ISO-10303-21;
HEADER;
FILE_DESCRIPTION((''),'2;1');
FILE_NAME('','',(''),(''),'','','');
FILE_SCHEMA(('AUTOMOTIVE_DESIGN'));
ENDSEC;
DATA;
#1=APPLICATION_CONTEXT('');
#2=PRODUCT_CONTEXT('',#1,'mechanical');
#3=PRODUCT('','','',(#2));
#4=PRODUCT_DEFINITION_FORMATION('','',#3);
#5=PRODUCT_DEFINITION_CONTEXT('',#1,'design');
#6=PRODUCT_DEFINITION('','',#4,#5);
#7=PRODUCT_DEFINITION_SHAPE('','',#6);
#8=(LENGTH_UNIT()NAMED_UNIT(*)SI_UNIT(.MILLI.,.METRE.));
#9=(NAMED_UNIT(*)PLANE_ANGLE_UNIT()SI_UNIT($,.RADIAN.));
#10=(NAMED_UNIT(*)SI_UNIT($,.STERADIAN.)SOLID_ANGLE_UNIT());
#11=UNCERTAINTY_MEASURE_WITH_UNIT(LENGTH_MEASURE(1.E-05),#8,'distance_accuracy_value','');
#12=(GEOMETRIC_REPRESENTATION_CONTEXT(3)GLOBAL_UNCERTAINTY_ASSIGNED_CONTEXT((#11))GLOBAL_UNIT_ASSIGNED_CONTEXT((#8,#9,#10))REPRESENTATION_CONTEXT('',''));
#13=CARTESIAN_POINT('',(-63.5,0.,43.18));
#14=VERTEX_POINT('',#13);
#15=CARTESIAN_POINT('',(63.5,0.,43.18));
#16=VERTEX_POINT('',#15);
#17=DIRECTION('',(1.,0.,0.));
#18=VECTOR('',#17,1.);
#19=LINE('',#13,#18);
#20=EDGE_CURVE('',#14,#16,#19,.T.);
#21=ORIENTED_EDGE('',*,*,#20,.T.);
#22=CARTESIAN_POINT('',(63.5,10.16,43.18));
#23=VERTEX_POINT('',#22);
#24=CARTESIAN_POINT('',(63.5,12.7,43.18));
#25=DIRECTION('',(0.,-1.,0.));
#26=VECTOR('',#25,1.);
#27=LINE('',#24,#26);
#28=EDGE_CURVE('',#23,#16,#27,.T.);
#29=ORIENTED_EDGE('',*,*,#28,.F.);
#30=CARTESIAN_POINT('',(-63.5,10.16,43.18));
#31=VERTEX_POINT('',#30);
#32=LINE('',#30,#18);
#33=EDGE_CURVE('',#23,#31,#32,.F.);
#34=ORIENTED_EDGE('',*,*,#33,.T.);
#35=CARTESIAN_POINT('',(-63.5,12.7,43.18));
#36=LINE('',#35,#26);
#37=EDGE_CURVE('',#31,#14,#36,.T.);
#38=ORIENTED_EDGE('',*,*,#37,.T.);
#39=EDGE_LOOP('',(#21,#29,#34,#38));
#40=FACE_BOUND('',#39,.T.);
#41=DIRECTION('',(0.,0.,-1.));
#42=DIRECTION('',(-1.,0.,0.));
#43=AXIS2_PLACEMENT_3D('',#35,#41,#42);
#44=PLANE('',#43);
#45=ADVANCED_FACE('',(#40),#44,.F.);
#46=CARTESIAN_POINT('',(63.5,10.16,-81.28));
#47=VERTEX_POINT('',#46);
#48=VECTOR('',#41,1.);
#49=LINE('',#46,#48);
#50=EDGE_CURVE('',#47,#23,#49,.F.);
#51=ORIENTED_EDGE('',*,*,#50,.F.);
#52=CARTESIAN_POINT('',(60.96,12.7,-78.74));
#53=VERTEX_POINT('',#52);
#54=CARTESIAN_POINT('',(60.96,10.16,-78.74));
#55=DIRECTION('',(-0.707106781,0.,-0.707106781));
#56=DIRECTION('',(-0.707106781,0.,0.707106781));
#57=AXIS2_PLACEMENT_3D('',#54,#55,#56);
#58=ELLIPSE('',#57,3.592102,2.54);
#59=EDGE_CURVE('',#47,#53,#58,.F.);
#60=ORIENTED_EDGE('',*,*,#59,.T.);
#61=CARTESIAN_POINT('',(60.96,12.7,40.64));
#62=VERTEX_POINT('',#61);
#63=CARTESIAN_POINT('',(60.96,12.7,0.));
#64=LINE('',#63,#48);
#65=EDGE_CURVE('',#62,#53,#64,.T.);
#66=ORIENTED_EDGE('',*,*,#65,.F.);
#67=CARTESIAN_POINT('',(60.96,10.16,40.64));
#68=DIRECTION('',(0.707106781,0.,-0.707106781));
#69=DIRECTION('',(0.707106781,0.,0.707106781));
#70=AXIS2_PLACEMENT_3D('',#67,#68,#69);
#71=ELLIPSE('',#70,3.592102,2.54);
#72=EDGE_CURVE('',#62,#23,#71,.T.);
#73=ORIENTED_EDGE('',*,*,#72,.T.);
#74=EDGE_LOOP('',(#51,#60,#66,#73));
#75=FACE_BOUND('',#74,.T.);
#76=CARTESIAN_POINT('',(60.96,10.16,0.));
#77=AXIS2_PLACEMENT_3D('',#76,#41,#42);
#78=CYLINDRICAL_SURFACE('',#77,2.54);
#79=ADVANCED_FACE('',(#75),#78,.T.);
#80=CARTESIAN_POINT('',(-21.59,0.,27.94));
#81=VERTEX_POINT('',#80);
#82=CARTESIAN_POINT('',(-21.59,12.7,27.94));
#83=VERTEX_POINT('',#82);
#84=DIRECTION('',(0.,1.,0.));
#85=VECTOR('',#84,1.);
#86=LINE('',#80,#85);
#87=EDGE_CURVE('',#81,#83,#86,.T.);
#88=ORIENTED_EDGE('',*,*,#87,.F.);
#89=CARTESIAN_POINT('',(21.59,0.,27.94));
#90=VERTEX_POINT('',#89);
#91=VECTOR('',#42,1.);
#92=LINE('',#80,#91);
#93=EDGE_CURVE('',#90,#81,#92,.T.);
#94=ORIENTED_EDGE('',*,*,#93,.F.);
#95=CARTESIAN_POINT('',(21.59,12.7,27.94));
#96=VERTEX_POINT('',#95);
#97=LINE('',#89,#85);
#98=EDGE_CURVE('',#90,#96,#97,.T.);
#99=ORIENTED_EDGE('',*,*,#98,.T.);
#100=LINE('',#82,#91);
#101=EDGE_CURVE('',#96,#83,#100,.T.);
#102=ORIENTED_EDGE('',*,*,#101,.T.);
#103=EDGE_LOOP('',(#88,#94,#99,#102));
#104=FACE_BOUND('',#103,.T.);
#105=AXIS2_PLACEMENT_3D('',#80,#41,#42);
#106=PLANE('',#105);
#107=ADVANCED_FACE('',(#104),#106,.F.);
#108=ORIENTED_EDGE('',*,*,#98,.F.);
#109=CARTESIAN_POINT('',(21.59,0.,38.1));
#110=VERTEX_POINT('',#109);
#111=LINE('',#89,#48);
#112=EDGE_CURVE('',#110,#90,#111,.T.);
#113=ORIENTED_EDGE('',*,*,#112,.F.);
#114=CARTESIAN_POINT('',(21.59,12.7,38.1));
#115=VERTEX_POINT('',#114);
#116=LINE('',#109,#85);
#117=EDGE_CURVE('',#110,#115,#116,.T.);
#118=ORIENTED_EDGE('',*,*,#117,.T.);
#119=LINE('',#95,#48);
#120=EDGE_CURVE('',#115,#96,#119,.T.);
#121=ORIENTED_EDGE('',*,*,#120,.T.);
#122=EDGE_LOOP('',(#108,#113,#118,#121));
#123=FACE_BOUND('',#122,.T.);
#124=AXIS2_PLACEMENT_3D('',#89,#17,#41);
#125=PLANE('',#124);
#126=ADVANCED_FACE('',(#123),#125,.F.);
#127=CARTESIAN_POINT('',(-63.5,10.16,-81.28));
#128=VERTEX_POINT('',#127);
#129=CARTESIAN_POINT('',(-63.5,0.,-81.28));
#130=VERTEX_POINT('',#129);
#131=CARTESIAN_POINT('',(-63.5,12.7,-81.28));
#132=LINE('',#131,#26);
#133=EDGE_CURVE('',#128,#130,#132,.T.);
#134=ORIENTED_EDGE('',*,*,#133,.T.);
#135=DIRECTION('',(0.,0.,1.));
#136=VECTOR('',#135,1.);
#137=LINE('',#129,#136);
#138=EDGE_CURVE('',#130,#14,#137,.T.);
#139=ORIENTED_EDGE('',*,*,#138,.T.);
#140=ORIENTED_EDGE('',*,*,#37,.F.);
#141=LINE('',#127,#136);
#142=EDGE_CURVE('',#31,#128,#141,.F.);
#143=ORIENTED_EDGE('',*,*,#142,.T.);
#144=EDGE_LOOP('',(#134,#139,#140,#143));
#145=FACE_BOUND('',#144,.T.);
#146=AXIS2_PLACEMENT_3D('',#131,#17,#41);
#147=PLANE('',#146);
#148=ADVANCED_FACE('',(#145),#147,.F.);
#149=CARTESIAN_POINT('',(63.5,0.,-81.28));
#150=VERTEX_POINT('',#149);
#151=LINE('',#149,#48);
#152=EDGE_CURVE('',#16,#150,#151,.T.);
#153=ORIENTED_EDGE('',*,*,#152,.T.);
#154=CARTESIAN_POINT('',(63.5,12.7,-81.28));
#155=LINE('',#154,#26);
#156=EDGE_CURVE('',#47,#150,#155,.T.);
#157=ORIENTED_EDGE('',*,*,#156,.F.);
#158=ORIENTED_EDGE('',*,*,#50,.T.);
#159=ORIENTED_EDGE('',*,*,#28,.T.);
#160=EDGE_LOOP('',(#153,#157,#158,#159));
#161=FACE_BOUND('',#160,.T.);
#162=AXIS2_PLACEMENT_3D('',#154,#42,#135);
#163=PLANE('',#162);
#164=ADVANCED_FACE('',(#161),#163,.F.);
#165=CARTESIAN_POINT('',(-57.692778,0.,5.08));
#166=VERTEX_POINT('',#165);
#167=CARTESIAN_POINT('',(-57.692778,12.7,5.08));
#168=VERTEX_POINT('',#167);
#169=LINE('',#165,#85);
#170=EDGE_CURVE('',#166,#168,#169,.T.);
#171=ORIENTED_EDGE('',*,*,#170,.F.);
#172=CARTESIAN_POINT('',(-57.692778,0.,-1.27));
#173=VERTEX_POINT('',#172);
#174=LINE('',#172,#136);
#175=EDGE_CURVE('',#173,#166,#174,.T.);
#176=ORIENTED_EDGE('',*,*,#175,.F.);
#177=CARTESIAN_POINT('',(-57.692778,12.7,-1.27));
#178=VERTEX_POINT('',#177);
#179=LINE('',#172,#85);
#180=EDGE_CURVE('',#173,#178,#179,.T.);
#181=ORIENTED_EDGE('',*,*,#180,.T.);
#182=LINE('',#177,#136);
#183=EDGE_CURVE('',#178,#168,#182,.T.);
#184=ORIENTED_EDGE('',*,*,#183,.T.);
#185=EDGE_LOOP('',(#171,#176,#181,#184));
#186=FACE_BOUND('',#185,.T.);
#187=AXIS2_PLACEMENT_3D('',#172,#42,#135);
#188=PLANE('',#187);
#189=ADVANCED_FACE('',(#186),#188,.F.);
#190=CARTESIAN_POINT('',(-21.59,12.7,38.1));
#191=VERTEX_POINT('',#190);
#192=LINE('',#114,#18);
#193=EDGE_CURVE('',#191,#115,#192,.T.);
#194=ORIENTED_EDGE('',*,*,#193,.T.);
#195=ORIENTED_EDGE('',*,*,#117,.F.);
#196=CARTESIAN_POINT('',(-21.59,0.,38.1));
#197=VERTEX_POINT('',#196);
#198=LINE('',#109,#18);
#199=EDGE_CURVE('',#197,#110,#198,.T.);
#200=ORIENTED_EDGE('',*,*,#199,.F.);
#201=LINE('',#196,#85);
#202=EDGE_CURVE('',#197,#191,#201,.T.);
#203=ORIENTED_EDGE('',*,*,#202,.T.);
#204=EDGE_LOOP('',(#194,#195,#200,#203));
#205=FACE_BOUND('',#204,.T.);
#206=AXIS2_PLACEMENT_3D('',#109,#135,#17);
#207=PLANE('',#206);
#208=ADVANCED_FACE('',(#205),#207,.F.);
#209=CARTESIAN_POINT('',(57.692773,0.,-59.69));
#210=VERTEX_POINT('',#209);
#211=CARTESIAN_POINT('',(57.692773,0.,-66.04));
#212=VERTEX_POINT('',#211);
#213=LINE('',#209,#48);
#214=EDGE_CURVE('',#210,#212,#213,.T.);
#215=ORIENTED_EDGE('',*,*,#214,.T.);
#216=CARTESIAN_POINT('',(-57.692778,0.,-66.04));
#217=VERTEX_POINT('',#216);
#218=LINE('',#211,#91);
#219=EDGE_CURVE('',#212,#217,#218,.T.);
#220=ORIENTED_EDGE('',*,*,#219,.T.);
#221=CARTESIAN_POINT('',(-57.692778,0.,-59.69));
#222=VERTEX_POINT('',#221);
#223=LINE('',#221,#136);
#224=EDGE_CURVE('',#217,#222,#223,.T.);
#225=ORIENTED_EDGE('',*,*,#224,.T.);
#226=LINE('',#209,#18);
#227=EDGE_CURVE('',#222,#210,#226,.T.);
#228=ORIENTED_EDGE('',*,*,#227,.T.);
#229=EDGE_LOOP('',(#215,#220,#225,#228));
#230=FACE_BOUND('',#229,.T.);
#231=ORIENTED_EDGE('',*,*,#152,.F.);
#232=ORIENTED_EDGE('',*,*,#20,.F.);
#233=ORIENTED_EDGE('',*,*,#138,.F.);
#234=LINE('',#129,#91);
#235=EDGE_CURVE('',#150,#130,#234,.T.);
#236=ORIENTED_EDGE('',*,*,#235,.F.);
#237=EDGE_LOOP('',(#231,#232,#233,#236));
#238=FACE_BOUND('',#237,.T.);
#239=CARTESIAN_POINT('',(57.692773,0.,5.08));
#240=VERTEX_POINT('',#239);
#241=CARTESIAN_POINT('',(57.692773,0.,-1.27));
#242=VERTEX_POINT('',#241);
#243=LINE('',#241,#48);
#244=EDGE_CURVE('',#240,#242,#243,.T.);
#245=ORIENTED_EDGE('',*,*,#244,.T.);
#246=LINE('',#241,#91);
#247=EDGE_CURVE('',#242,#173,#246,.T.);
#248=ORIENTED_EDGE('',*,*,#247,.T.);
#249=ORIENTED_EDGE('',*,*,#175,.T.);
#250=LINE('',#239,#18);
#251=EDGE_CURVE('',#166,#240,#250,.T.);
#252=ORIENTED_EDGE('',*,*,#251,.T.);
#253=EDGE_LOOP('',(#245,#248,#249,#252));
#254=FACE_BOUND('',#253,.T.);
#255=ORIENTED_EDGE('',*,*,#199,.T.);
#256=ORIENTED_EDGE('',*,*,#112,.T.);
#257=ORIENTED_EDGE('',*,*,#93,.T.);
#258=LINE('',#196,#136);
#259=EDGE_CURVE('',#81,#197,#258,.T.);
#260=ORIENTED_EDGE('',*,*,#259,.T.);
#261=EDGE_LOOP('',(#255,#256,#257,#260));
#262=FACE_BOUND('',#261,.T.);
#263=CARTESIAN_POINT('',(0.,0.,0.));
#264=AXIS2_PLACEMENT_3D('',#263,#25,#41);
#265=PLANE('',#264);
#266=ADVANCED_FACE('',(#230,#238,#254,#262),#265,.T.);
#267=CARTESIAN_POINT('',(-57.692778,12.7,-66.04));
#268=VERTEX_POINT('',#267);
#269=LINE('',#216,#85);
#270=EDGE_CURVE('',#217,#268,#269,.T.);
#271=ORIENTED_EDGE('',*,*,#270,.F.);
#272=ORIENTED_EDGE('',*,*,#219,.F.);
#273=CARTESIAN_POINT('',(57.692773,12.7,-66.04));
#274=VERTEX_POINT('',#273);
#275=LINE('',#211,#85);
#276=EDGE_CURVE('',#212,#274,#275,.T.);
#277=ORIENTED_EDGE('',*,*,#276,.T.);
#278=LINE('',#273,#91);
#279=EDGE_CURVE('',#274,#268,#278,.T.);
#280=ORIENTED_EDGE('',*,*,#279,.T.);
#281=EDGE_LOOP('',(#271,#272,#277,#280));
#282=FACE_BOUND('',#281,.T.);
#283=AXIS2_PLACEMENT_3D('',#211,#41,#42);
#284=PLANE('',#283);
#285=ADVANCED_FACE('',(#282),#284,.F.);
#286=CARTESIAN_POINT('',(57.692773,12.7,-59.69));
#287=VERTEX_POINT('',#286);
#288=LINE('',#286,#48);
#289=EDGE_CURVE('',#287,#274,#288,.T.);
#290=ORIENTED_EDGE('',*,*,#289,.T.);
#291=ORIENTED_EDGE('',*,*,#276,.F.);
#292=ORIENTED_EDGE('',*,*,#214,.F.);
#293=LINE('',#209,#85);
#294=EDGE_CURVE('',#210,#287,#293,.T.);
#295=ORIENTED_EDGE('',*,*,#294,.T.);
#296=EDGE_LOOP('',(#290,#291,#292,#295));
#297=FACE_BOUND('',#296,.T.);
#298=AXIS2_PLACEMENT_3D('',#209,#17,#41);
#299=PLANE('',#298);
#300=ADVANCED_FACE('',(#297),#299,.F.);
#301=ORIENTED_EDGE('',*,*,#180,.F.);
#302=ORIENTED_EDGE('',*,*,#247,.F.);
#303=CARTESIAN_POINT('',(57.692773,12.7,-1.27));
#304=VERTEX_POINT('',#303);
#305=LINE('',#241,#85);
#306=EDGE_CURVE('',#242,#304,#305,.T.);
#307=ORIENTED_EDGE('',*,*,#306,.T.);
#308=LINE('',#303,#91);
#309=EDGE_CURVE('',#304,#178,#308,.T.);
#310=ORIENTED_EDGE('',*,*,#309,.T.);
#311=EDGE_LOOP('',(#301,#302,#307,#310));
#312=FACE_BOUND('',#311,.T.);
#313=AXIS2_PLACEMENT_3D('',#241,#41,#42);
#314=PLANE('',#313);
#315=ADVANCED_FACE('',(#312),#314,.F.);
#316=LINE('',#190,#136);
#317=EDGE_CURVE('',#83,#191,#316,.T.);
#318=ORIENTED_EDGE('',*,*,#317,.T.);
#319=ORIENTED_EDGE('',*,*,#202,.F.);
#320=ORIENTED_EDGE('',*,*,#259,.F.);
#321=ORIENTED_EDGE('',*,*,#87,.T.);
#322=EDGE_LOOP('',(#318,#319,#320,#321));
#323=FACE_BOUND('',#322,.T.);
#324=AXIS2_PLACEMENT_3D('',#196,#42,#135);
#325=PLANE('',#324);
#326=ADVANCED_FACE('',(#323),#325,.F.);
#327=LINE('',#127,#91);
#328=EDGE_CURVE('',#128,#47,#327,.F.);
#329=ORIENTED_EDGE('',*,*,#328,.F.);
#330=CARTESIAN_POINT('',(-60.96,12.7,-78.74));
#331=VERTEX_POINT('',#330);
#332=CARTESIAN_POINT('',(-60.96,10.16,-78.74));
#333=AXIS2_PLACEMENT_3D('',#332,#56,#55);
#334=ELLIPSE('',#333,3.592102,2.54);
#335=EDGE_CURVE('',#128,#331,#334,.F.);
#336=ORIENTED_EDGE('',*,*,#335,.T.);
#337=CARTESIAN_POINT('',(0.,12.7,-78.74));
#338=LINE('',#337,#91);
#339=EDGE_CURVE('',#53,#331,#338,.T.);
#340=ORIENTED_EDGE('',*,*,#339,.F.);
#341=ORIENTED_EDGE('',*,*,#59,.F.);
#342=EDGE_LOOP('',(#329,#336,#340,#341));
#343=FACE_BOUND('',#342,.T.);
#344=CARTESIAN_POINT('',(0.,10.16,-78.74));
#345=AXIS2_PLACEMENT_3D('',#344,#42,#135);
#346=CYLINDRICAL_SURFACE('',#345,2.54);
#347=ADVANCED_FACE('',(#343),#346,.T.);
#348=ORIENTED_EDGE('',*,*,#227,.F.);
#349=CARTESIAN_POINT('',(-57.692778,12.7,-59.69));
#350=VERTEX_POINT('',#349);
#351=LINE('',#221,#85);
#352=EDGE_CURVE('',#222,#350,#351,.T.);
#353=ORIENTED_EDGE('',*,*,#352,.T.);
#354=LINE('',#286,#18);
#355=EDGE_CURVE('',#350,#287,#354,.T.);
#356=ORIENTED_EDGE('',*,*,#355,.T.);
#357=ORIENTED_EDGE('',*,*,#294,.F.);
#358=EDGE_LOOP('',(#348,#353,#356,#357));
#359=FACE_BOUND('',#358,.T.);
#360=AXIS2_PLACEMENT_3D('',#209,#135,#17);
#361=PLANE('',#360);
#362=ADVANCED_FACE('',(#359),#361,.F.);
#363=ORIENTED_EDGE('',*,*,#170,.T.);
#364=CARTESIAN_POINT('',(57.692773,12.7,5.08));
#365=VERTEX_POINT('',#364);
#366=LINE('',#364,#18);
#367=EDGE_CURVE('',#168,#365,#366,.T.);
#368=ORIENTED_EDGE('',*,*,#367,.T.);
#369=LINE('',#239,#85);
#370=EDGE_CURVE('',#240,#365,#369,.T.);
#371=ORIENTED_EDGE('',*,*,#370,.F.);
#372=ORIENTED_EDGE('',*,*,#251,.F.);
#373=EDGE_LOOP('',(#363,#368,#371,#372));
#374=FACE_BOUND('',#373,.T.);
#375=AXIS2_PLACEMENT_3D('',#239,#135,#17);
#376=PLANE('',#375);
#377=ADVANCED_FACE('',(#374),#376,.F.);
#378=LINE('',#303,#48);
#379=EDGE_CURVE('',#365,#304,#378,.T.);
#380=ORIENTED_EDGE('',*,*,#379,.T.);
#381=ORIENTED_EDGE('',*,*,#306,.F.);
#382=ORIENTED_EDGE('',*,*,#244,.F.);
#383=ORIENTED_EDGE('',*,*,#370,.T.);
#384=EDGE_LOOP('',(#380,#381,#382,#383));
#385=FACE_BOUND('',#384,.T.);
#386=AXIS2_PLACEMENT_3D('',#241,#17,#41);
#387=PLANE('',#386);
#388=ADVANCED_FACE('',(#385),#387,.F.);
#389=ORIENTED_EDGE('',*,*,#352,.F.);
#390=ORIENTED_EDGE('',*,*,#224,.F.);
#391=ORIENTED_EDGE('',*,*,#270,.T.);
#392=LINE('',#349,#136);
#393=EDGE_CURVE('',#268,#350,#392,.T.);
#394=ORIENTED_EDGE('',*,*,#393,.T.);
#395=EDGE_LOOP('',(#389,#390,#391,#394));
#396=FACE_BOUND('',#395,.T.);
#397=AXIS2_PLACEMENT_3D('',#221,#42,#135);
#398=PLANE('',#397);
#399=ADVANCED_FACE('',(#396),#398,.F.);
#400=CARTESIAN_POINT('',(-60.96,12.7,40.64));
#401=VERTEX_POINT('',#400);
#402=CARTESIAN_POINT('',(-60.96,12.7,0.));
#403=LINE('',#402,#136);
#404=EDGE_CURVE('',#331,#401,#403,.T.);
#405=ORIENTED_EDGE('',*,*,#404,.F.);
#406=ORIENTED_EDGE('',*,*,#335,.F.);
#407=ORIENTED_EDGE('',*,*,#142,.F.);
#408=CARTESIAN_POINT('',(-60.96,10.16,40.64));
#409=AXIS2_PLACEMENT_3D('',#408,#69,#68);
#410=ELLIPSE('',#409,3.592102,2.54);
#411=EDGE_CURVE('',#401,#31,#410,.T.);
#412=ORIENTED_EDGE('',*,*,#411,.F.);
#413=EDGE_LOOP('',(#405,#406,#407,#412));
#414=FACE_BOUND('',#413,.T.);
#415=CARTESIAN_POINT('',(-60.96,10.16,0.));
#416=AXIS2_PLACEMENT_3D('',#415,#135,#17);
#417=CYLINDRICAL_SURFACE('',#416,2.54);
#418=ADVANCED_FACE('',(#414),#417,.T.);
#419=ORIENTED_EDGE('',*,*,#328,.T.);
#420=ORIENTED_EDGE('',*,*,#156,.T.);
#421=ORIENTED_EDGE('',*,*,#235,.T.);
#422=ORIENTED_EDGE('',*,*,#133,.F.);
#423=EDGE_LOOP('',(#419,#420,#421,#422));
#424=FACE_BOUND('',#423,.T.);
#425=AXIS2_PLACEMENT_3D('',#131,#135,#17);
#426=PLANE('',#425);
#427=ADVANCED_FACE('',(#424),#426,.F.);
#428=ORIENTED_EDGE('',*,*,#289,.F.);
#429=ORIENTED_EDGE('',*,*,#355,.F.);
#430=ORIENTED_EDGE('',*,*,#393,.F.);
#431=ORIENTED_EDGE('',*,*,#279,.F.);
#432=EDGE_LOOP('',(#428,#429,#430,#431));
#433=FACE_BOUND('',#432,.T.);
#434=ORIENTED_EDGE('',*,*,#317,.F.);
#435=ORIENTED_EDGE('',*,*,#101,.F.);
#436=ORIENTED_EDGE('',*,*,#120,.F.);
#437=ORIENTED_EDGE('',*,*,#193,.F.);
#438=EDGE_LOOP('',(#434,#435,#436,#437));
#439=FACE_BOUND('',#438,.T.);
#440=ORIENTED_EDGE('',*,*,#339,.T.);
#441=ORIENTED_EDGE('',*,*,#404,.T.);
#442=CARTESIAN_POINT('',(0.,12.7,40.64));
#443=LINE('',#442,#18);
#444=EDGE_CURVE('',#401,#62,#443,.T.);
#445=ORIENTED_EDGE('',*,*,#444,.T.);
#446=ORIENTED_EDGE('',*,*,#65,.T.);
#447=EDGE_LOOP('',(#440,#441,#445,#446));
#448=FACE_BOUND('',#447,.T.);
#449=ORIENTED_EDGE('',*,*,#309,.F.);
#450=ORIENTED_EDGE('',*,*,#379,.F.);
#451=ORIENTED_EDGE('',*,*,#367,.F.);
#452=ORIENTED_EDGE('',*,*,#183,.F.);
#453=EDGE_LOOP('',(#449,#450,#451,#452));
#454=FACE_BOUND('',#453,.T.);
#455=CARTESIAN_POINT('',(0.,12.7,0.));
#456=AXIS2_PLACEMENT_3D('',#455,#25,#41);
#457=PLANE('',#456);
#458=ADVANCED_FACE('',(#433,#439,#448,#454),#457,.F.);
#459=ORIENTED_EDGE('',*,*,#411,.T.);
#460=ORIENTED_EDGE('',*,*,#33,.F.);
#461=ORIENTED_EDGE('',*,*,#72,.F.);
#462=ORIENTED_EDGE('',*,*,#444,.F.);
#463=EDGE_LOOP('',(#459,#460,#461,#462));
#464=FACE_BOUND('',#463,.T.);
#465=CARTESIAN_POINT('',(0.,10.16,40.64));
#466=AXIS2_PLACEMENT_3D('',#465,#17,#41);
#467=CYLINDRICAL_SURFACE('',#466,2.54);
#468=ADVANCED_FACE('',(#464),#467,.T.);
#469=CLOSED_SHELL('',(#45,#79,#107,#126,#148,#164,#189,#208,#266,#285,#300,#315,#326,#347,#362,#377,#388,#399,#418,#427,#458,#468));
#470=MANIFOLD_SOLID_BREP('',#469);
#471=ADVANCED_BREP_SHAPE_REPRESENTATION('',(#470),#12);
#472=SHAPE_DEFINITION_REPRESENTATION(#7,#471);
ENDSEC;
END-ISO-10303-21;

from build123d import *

# Parameters (mm, degrees)
SKETCH2_W           = 127
SKETCH2_H           = 124.46
BOSS_EXTRUDE1_DEPTH = 12.7
FILLET1_R           = 2.54
SKETCH3_W           = 115.38555028
SKETCH3_H           = 6.35
SKETCH3_W_2         = 43.18
SKETCH3_H_2         = 10.16
CUT_EXTRUDE1_DEPTH  = 12.7


with BuildPart() as part:
    # Sketch2 → Boss-Extrude1 (new body)
    with BuildSketch(Plane(origin=(0, 0, 0), x_dir=(1, 0, 0), z_dir=(0, 1, 0))):
        with Locations((0, 19.05)):
            Rectangle(SKETCH2_W, SKETCH2_H)
    extrude(amount=BOSS_EXTRUDE1_DEPTH)

    # Fillet1
    fillet1_edges = [part.edges().sort_by_distance(p)[0] for p in [
        (0, 12.7, 43.18),
        (63.5, 12.7, -19.05),
        (0, 12.7, -81.28),
        (-63.5, 12.7, -19.05),
    ]]
    fillet(fillet1_edges, radius=FILLET1_R)

    # Sketch3 → Cut-Extrude1 (cut)
    with BuildSketch(Plane(origin=(0, 12.7, 0), x_dir=(1, 0, 0), z_dir=(0, 1, 0))):
        with Locations((-2.54e-06, 62.865)):
            Rectangle(SKETCH3_W, SKETCH3_H)
        with Locations((0, -33.02)):
            Rectangle(SKETCH3_W_2, SKETCH3_H_2)
        with Locations((-2.54e-06, -1.905)):
            Rectangle(SKETCH3_W, SKETCH3_H)
    extrude(amount=-CUT_EXTRUDE1_DEPTH, mode=Mode.SUBTRACT)


solid = part.part
